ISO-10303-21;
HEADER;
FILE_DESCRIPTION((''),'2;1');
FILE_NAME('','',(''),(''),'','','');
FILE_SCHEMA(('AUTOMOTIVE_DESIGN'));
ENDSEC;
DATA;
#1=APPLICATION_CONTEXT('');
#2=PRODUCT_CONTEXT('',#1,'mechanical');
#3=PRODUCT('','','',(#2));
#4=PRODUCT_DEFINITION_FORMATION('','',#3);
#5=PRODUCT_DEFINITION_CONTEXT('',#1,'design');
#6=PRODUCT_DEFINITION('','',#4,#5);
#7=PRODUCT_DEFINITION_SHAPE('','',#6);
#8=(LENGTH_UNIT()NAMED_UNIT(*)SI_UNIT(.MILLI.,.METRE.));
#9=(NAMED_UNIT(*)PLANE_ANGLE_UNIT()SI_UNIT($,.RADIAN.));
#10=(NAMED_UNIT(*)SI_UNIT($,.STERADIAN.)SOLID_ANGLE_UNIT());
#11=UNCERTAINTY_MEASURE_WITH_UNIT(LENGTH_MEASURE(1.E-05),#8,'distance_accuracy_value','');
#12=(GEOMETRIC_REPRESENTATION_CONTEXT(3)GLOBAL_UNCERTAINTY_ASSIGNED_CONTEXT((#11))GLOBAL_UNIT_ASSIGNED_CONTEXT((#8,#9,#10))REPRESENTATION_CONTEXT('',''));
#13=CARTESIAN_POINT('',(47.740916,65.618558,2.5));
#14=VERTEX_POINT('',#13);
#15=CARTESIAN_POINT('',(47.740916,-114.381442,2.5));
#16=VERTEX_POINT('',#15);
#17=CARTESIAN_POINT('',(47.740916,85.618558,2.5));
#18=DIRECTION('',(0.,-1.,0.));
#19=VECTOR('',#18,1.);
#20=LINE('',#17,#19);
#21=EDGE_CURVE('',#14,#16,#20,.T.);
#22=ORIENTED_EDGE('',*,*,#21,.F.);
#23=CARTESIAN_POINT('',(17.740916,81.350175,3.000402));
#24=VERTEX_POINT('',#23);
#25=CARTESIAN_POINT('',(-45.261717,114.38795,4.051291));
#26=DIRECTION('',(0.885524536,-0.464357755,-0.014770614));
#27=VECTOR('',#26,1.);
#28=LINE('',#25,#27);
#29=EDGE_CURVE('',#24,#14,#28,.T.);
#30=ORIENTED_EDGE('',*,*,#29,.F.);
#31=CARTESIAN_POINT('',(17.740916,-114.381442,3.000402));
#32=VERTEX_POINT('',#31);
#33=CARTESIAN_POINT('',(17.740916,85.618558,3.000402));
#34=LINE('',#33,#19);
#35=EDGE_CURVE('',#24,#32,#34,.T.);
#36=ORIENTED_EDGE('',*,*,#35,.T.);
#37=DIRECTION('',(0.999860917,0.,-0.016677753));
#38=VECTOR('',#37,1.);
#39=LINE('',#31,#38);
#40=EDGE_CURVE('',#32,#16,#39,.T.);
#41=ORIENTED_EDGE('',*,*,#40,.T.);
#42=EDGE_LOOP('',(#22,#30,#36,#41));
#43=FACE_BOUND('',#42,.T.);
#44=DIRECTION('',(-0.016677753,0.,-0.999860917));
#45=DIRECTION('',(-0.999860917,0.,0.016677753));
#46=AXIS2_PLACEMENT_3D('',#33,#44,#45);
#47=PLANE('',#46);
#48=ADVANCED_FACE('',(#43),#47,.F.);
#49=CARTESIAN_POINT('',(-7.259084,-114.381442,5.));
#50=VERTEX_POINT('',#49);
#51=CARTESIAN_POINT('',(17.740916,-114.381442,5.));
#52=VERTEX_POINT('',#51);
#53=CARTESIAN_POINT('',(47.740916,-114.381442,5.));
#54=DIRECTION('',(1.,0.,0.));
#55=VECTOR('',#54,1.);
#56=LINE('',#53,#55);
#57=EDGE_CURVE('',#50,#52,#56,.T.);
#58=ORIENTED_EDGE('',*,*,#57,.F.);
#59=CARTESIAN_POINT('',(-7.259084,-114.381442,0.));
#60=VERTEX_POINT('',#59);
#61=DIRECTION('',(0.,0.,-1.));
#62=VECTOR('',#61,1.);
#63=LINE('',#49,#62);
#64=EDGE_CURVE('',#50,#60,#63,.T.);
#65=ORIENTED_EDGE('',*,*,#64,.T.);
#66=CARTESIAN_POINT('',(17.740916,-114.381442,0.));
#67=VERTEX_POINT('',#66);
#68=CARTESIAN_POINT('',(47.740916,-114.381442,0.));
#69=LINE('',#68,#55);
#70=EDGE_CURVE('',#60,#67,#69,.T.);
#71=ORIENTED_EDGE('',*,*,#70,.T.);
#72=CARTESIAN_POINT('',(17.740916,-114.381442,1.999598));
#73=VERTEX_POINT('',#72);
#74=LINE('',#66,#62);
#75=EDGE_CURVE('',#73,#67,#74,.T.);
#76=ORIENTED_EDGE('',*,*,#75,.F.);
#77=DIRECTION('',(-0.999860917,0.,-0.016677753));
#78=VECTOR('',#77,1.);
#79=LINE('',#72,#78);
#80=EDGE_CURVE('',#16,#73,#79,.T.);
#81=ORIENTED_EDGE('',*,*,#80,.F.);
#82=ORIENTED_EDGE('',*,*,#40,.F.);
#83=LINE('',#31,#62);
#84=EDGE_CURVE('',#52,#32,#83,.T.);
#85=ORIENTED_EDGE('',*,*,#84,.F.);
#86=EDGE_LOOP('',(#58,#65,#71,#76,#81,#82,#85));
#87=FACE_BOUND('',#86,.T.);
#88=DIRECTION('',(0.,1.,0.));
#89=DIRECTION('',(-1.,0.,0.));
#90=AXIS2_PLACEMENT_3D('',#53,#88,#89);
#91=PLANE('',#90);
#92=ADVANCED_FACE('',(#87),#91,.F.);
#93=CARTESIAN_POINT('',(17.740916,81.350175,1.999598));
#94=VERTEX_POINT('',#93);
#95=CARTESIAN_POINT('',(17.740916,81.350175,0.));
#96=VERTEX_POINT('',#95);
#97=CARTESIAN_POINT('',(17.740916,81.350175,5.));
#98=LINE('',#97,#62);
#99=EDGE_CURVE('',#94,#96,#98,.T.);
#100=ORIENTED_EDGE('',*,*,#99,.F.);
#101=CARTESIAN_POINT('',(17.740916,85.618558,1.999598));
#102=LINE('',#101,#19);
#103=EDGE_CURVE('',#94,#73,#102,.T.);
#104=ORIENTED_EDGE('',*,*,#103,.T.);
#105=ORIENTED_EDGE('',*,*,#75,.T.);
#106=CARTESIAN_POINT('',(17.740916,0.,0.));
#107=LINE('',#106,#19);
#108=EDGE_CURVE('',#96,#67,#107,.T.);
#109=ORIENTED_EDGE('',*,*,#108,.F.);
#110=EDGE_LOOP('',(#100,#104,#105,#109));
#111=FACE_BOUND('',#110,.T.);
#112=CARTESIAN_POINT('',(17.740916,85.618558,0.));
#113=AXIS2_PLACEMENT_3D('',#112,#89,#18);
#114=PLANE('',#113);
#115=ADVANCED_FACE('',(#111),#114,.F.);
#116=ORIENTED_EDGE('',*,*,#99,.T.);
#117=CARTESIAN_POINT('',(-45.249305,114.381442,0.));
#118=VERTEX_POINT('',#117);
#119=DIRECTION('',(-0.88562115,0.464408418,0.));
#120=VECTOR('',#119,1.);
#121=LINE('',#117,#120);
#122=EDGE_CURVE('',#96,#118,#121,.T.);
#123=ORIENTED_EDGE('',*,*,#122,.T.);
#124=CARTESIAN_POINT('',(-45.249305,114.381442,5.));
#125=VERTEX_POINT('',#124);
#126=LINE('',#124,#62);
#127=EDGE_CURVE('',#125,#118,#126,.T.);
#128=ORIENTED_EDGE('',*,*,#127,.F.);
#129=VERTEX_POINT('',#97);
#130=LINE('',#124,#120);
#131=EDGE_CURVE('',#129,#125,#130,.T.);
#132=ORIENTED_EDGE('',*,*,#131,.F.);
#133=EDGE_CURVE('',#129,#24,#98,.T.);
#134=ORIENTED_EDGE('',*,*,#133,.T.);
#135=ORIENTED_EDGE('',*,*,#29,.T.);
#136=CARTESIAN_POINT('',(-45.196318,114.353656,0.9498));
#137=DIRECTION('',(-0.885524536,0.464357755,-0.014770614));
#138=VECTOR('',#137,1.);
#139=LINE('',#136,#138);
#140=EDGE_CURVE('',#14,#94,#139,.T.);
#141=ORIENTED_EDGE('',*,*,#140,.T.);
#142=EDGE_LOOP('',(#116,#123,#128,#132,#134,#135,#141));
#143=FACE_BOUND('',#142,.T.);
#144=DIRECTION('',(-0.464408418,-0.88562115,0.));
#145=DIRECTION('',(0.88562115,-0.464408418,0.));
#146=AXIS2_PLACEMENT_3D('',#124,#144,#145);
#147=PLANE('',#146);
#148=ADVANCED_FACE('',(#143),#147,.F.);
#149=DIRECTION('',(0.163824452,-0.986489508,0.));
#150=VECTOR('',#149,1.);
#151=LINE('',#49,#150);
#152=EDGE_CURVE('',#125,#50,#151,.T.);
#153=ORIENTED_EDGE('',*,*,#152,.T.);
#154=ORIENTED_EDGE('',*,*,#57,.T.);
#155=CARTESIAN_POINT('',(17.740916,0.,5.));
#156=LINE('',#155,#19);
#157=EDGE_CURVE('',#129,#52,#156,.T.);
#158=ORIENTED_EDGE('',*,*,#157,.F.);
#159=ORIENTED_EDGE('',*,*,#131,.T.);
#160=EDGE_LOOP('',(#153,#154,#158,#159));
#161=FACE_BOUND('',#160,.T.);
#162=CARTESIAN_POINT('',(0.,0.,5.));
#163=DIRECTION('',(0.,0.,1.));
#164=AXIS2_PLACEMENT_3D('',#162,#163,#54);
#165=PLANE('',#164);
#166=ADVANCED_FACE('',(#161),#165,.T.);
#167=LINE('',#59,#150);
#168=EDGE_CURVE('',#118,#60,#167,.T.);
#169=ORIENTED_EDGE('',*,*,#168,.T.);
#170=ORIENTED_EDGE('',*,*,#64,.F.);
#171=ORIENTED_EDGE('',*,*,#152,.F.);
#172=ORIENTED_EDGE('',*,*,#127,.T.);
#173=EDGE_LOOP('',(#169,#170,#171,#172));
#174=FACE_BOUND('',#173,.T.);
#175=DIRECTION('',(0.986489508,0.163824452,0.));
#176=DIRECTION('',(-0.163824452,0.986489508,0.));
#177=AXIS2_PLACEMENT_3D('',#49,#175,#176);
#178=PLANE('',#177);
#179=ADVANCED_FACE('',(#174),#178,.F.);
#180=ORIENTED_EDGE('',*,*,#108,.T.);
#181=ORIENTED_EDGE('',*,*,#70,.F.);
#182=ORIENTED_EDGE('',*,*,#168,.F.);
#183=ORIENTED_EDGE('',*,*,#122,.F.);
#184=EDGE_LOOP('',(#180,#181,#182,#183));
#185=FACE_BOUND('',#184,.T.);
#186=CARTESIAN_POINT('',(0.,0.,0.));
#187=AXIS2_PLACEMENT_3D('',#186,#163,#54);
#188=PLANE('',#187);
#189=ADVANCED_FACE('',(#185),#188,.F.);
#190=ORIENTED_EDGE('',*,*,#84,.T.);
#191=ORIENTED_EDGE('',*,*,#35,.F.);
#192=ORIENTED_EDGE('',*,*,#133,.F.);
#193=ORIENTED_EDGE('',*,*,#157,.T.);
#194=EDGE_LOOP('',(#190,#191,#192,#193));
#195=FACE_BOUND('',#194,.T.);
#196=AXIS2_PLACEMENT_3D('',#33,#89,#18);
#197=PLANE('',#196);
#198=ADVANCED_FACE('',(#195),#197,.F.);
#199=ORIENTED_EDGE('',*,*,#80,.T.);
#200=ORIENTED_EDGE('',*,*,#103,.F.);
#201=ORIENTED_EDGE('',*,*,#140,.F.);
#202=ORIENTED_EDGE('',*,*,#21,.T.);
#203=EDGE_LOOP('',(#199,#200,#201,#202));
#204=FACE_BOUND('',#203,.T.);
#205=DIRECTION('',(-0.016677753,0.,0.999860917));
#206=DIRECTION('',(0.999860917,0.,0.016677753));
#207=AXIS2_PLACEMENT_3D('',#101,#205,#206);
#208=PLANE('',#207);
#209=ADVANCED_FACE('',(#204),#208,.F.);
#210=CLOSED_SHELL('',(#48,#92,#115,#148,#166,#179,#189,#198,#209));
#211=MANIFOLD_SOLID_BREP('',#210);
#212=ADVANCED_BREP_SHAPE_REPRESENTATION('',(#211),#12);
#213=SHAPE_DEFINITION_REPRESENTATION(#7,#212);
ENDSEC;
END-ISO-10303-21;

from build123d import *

# Parameters (mm, degrees)
EXTRUDE_1_DEPTH     = 5
CUT_EXTRUDE_2_DEPTH = 200


with BuildPart() as part:
    # 草图1 → 凸台-拉伸1 (new body)
    with BuildSketch(Plane.XY):
        Polygon((-7.259084377, -114.381441925), (-45.249305145, 114.381441925), (47.740915623, 65.618558075), (47.740915623, -114.381441925), align=None)
    extrude(amount=EXTRUDE_1_DEPTH)

    # 草图2 → 切除-拉伸2 (cut)
    with BuildSketch(Plane.XZ.offset(114.381441925)):
        Polygon((17.740915623, 5), (47.740915623, 5.362068385), (52.130743892, 0.972240116), (47.740915623, -0.81389846), (17.740915623, 0), (17.740915623, 1.999597824), (47.740915623, 2.5), (17.740915623, 3.000402176), align=None)
        Polygon((47.740915623, 35.362068385), (52.130743892, 30.972240116), (47.740915623, 29.18610154), (17.740915623, 30), (17.740915623, 31.999597824), (47.740915623, 32.5), (17.740915623, 33.000402176), (17.740915623, 35), align=None)
    extrude(amount=-CUT_EXTRUDE_2_DEPTH, mode=Mode.SUBTRACT)


solid = part.part
